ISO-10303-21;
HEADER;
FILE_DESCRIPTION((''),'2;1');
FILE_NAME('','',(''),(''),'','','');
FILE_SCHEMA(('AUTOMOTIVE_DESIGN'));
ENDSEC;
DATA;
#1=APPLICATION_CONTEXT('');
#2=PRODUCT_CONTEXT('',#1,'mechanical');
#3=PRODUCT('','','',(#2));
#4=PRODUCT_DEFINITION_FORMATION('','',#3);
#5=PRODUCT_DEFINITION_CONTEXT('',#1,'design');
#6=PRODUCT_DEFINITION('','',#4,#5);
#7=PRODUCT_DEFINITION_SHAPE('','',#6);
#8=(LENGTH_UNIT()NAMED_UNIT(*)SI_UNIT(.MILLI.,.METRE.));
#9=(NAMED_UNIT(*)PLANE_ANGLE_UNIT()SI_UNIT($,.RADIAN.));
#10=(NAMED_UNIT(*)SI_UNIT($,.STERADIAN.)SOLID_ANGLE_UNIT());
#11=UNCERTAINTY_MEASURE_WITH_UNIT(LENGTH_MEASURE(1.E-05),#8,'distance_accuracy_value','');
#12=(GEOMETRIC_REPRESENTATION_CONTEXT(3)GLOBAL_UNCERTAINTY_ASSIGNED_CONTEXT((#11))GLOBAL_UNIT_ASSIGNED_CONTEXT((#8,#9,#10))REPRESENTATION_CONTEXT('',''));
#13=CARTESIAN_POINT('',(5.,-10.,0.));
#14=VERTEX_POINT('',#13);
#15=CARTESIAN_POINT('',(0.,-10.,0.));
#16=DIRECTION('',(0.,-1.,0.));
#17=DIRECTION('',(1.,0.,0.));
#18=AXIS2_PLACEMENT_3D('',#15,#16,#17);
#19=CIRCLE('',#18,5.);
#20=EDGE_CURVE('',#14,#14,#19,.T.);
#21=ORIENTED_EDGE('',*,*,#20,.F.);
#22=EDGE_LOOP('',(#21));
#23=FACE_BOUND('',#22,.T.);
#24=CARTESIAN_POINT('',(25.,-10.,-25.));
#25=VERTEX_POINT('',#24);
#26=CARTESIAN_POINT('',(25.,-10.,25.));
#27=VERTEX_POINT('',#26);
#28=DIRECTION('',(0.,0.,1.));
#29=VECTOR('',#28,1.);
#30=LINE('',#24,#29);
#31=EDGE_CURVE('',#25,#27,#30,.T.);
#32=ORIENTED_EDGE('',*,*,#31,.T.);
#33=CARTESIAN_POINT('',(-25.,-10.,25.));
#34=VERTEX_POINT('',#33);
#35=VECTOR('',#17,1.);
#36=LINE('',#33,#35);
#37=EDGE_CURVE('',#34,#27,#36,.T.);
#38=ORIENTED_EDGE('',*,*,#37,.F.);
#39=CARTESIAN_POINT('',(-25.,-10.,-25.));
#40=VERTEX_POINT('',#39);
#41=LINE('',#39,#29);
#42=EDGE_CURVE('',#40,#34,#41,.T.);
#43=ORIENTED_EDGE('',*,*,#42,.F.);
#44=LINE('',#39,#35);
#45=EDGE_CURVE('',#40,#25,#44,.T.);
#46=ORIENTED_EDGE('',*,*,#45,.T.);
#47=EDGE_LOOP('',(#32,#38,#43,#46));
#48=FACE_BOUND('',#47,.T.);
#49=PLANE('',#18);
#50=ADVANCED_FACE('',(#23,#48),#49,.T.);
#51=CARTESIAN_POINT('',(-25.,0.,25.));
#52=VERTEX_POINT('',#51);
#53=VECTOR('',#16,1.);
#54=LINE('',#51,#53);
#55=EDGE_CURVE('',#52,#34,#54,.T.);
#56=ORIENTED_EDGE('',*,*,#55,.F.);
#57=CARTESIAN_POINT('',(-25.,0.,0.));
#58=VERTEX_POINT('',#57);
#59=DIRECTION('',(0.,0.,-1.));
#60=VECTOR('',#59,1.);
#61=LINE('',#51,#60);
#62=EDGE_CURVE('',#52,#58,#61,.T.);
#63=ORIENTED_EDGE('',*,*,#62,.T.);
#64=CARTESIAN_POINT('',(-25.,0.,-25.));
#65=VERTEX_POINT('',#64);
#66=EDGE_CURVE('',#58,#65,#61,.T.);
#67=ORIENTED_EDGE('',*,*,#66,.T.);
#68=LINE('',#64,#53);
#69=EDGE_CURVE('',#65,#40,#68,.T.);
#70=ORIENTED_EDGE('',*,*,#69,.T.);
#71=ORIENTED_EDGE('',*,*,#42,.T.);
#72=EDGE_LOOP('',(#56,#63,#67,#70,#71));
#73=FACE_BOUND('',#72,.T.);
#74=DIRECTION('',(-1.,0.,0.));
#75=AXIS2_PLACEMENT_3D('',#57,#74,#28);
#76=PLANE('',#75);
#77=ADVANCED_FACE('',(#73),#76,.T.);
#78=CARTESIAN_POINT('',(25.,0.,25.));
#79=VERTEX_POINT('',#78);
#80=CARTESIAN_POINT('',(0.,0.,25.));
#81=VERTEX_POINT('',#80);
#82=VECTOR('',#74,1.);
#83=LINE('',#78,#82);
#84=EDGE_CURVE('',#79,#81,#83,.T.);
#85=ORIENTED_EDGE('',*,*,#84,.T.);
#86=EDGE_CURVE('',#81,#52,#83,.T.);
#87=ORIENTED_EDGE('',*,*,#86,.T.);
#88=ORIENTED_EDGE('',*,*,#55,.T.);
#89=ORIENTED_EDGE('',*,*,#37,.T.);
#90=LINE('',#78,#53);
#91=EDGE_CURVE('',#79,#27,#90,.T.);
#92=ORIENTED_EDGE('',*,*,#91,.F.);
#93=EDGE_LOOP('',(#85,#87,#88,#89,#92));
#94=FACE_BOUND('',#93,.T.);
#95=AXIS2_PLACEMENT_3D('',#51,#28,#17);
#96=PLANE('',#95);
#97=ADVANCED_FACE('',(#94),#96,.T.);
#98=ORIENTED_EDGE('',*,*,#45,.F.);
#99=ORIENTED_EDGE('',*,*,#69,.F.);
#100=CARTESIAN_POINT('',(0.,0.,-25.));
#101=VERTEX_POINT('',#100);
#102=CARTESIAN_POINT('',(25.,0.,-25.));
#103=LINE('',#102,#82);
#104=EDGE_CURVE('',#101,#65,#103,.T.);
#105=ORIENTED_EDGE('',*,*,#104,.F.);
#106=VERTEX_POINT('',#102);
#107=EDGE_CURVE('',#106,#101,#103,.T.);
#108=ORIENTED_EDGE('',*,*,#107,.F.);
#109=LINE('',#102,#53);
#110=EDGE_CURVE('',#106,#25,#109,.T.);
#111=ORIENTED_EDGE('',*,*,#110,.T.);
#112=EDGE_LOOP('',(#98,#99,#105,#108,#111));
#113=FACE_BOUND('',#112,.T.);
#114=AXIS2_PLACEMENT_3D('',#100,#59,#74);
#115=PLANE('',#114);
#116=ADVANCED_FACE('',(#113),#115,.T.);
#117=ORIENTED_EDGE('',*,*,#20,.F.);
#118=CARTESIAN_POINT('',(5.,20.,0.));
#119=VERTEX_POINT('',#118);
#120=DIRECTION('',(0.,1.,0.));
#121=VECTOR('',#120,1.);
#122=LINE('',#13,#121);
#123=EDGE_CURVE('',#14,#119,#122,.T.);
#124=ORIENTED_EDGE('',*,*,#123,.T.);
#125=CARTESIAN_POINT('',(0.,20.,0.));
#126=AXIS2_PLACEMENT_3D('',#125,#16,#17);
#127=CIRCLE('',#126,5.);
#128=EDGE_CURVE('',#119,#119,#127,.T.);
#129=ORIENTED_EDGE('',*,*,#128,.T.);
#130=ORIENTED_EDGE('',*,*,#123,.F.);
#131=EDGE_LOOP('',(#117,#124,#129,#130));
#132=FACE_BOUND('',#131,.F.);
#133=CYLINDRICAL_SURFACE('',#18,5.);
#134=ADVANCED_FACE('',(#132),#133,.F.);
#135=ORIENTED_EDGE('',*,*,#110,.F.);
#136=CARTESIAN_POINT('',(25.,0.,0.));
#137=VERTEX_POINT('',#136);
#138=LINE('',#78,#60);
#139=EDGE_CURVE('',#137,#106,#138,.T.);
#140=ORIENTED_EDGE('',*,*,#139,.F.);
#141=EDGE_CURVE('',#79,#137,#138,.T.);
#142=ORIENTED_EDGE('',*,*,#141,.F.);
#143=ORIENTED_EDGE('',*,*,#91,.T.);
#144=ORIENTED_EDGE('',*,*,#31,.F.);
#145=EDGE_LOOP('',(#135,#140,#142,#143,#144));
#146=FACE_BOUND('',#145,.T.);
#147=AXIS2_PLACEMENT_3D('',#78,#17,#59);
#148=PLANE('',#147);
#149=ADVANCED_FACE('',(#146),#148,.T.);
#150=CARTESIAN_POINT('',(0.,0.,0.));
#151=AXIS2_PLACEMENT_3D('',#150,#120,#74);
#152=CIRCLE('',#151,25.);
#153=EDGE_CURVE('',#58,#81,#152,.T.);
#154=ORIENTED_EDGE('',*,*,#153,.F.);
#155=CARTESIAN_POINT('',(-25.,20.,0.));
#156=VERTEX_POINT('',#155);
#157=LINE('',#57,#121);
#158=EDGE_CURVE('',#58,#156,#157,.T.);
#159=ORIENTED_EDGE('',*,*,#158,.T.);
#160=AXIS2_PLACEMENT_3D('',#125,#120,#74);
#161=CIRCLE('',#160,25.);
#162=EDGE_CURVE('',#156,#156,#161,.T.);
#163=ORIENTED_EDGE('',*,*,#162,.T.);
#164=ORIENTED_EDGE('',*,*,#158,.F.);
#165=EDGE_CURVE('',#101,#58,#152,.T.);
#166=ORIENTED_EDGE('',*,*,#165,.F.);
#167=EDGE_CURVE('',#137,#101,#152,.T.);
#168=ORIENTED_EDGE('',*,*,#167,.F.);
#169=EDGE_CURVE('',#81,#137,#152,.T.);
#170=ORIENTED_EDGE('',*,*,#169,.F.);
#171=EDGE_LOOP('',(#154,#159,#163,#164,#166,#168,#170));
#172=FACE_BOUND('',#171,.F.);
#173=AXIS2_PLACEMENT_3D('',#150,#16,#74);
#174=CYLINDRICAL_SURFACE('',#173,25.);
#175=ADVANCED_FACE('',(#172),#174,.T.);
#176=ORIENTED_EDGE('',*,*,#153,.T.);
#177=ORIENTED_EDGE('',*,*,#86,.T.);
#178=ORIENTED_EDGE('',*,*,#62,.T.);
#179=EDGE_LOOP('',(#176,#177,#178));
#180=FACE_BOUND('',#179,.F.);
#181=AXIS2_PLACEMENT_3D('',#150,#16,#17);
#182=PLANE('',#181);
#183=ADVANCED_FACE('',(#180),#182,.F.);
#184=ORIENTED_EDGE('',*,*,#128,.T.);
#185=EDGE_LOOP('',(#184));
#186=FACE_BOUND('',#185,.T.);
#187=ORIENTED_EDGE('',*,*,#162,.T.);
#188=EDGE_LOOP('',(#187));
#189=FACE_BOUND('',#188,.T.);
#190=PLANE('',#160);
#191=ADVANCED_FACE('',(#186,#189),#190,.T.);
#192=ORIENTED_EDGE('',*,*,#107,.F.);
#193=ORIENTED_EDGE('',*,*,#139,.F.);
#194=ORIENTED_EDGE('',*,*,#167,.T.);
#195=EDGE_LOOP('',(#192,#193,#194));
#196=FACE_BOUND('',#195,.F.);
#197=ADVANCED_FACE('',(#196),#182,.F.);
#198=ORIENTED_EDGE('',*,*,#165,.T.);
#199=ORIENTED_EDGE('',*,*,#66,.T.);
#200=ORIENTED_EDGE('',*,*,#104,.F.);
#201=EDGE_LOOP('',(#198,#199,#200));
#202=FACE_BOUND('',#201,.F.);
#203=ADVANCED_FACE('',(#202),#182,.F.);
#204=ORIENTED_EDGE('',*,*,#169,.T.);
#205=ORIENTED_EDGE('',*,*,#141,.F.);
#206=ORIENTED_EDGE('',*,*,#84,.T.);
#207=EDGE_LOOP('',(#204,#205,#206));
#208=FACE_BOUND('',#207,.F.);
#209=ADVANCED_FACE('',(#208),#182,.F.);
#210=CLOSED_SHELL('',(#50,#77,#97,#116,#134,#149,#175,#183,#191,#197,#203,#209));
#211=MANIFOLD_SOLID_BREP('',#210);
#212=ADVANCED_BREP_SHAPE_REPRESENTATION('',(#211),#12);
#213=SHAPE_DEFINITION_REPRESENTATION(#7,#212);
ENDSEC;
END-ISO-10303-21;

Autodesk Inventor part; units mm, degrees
ref_plane "YZ Plane" through (0, 0, 0) normal (1, 0, 0) x (0, 1, 0)
ref_plane "XZ Plane" through (0, 0, 0) normal (0, 1, 0) x (-1, 0, 0)
ref_plane "XY Plane" through (0, 0, 0) normal (0, 0, 1) x (1, 0, 0)
sketch "Skizze1" plane through (0, 0, 0) normal (0, 1, 0) x (-1, 0, 0)
  circle A0 centre (0, 0) radius 25
  dimension "d0" = 50
extrude "Extrusion1" add sketch "Skizze1" along normal blind 20
sketch "Skizze2" plane through (0, 0, 0) normal (0, -1, 0) x (1, 0, 0)
  line L0 (-25, 25) -> (25, 25)
  line L1 (25, 25) -> (25, -25)
  line L2 (25, -25) -> (-25, -25)
  line L3 (-25, -25) -> (-25, 25)
  circle A0 centre (0, 0) radius 25 projected
extrude "Extrusion2" add sketch "Skizze2" along normal blind 10
sketch "Skizze3" plane through (0, -10, 0) normal (0, -1, 0) x (1, 0, 0)
  circle A0 centre (0, 0) radius 5
  dimension "d5" = 10
extrude "Extrusion3" cut sketch "Skizze3" against normal up to next
properties part number "2ExtrusionenMitLoch"
